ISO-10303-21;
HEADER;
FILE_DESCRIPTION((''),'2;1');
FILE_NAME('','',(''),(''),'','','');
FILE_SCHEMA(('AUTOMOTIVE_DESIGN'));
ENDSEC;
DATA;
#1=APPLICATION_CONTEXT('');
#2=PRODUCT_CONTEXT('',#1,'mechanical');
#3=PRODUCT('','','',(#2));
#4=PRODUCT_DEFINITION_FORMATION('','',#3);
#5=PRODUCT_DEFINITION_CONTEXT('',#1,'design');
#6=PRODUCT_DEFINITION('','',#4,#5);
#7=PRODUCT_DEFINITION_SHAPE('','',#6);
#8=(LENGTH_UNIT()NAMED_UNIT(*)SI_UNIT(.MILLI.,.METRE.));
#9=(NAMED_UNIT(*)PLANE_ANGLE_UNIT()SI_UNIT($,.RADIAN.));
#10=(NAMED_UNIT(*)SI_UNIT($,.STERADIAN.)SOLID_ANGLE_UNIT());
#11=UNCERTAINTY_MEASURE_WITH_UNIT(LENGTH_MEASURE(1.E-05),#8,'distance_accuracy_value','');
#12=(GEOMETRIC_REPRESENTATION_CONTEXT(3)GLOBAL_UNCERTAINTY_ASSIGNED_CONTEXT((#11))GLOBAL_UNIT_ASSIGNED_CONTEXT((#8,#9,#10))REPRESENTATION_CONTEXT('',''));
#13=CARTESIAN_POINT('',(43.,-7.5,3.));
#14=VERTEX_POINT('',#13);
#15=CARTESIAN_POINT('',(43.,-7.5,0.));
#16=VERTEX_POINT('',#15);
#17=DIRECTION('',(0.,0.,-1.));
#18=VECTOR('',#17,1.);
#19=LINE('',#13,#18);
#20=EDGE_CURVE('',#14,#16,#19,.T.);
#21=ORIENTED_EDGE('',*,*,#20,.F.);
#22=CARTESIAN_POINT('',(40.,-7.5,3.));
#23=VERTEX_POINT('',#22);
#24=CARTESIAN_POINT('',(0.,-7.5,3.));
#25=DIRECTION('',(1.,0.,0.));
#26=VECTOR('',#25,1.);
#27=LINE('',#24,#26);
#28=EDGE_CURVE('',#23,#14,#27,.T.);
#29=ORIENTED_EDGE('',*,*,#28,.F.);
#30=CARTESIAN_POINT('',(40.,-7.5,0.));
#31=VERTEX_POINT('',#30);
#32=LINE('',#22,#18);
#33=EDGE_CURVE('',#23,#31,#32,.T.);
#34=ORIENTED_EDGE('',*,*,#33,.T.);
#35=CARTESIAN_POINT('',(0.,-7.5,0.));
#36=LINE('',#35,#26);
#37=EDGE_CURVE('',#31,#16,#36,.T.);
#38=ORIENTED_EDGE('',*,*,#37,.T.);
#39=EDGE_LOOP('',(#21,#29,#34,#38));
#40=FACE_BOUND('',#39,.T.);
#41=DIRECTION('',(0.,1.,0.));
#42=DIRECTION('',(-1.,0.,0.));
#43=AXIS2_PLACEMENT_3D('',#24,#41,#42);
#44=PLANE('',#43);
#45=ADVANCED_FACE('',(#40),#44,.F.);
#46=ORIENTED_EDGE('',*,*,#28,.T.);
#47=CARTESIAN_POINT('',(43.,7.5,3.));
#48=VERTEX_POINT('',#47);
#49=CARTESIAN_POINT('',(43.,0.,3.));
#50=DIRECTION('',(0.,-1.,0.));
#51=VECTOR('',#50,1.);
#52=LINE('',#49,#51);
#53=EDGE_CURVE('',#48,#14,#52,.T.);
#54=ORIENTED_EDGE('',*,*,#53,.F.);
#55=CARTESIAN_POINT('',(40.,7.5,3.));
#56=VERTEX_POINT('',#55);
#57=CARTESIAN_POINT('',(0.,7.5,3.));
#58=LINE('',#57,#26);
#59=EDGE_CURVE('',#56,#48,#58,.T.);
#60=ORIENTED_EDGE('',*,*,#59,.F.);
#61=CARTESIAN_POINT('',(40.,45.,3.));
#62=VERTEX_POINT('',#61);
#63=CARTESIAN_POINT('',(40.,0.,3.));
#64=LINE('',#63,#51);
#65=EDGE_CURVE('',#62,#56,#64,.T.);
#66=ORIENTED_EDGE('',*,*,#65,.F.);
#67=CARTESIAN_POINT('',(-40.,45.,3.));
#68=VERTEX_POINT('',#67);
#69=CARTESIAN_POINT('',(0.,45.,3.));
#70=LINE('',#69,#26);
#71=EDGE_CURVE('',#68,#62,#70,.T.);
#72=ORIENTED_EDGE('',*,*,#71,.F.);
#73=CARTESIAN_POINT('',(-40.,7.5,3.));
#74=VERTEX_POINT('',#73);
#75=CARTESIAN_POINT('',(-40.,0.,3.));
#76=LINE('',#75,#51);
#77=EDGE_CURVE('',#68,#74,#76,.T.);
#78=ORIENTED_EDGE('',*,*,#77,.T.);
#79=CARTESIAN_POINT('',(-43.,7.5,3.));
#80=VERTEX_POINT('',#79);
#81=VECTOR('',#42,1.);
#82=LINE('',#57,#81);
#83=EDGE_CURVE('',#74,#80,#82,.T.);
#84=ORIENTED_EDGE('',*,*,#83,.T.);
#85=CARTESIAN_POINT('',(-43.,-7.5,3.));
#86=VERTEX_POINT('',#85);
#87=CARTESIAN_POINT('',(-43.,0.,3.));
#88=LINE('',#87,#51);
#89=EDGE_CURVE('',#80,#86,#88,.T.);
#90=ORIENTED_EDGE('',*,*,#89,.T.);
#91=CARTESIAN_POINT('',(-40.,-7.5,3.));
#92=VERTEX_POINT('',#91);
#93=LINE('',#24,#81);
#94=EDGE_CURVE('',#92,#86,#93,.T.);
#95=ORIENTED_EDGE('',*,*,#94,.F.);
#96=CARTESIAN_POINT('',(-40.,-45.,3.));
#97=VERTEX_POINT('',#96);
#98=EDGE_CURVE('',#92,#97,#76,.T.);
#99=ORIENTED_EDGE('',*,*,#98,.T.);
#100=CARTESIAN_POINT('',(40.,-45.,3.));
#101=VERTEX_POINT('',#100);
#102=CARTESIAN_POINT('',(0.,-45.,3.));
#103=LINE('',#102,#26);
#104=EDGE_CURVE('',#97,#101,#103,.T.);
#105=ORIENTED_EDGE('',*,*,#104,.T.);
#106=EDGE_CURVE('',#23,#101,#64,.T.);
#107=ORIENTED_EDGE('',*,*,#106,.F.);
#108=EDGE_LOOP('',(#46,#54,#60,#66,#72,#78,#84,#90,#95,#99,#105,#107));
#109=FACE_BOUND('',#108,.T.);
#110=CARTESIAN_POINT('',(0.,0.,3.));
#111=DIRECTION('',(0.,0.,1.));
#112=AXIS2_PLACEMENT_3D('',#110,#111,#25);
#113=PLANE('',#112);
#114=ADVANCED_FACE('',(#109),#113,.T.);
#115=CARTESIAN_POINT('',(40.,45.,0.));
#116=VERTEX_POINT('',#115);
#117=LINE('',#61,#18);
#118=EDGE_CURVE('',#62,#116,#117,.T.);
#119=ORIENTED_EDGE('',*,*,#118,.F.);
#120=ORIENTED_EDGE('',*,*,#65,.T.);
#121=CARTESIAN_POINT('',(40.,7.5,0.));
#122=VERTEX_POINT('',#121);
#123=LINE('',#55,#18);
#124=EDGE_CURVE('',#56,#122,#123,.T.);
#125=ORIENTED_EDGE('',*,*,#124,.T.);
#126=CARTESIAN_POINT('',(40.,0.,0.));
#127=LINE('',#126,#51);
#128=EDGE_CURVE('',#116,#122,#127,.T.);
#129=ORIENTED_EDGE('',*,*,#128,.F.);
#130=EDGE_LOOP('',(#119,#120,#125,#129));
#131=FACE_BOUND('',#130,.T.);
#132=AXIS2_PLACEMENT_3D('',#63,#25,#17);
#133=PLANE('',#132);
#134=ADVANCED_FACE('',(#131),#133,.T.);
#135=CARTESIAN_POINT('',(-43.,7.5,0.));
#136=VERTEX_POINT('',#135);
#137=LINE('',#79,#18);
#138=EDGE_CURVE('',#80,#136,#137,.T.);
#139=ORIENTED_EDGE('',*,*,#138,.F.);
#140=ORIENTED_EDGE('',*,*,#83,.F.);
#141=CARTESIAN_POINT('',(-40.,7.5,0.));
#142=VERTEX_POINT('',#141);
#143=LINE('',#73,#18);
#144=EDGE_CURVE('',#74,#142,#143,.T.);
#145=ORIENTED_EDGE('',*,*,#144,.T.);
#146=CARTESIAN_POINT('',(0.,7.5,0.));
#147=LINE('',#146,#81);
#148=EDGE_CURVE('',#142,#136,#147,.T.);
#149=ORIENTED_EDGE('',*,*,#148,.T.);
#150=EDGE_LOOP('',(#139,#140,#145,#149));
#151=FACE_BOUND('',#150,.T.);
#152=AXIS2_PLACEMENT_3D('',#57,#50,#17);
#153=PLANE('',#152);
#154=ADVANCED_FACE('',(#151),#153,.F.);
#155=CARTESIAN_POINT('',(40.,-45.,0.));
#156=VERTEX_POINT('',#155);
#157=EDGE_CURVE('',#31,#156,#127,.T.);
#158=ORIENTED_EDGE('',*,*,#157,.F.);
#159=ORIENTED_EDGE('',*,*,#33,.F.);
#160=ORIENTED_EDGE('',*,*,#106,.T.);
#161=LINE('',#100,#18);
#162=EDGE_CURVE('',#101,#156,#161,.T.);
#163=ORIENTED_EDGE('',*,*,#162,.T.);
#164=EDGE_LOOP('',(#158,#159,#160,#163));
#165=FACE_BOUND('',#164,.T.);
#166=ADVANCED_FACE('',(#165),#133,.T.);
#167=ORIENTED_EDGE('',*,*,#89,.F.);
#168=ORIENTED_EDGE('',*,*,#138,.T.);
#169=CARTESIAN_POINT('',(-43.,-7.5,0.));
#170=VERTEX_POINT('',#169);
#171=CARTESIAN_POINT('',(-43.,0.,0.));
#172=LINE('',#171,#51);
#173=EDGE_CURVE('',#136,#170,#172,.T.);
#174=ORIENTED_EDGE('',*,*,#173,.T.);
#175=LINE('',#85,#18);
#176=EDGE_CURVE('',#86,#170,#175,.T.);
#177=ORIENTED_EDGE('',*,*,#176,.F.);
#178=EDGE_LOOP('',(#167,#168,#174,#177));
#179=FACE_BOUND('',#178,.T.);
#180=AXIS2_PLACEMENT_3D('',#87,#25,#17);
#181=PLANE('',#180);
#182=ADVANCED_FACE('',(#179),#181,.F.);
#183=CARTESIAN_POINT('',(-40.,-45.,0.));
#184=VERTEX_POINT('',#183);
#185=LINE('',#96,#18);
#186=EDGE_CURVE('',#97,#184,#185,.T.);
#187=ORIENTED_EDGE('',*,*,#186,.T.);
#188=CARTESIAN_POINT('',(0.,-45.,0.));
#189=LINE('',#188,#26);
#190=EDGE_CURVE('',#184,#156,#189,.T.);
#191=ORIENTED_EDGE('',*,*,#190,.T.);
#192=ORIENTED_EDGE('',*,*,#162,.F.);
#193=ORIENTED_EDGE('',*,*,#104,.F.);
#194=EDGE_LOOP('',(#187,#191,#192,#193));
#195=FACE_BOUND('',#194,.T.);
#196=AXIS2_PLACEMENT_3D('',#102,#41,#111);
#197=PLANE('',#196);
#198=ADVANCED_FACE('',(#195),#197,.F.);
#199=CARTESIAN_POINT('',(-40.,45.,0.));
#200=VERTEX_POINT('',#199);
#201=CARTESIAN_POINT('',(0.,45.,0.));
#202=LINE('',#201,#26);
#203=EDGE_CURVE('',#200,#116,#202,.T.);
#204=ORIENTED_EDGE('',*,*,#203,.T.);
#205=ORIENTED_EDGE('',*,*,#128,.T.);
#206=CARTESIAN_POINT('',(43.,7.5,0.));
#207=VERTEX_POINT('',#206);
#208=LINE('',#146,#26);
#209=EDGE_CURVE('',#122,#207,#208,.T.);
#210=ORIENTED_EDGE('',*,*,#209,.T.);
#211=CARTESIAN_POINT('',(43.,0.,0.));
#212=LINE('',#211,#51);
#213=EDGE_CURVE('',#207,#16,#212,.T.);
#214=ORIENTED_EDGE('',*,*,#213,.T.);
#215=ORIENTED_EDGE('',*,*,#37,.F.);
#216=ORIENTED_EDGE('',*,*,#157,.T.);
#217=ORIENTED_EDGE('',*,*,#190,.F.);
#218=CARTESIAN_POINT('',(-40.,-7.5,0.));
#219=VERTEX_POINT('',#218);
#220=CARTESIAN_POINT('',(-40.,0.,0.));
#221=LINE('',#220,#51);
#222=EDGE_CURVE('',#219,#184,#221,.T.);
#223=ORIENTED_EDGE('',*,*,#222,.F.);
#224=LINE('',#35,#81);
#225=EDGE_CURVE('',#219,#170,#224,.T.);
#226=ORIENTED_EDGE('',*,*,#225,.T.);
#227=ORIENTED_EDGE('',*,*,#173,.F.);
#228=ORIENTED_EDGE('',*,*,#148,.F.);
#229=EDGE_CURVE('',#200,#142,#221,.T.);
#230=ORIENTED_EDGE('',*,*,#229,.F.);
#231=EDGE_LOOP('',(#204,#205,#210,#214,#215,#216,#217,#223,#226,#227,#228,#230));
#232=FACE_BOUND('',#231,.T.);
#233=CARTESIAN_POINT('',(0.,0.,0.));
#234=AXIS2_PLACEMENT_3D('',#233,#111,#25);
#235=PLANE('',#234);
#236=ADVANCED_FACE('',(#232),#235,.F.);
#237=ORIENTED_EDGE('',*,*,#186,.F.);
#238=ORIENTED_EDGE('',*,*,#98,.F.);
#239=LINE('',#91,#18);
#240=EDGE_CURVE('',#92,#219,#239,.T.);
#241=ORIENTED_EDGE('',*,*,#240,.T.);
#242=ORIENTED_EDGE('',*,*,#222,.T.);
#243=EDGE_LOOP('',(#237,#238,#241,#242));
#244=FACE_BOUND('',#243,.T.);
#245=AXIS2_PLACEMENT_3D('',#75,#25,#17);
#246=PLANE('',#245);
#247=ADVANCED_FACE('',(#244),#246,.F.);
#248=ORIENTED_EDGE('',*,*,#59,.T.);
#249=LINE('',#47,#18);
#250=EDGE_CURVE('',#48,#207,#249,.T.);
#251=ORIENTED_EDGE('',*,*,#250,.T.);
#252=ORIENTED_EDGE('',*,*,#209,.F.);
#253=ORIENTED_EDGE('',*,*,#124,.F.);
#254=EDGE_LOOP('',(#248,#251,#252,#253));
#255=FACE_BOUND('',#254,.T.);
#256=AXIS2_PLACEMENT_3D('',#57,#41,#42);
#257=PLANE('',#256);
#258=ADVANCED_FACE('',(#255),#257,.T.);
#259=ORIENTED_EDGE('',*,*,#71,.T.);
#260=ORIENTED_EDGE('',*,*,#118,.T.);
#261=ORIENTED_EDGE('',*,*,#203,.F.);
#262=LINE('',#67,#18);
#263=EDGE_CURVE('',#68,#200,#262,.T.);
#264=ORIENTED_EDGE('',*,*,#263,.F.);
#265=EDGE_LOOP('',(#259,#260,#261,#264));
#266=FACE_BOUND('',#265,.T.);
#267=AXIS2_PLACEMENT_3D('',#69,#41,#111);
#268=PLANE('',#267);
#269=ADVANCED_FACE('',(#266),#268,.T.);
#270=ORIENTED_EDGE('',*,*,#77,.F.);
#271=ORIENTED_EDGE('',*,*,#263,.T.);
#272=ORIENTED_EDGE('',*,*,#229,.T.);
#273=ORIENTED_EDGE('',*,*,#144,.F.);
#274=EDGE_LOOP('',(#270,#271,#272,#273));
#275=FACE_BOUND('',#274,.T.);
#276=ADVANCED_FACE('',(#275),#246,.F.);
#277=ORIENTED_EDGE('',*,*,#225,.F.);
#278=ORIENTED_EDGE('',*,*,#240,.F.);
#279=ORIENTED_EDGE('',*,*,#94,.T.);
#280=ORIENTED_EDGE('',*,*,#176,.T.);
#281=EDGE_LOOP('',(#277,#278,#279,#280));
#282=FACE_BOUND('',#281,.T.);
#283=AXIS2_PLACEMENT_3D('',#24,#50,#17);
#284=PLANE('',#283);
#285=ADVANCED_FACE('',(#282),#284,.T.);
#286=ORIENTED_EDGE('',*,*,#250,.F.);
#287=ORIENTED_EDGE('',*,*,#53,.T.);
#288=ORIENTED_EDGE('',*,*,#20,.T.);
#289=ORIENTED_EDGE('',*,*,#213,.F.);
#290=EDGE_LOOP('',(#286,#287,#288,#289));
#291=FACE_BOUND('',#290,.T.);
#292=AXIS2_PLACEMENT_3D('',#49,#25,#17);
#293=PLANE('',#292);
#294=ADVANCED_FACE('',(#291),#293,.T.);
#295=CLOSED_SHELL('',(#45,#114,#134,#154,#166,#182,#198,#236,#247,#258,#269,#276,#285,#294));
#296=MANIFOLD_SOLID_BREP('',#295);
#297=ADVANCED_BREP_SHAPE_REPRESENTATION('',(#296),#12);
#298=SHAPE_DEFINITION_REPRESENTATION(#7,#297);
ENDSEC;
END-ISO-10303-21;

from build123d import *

# Parameters (mm, degrees)
SKETCH1_W           = 3
SKETCH1_H           = 15
SKETCH1_W_2         = 80
SKETCH1_H_2         = 90
BOSS_EXTRUDE1_DEPTH = 3


with BuildPart() as part:
    # Sketch1 → Boss-Extrude1 (new body)
    with BuildSketch(Plane.XY):
        with Locations((-41.5, 0)):
            Rectangle(SKETCH1_W, SKETCH1_H)
        Rectangle(SKETCH1_W_2, SKETCH1_H_2)
        with Locations((41.5, 0)):
            Rectangle(SKETCH1_W, SKETCH1_H)
    extrude(amount=BOSS_EXTRUDE1_DEPTH)


solid = part.part
